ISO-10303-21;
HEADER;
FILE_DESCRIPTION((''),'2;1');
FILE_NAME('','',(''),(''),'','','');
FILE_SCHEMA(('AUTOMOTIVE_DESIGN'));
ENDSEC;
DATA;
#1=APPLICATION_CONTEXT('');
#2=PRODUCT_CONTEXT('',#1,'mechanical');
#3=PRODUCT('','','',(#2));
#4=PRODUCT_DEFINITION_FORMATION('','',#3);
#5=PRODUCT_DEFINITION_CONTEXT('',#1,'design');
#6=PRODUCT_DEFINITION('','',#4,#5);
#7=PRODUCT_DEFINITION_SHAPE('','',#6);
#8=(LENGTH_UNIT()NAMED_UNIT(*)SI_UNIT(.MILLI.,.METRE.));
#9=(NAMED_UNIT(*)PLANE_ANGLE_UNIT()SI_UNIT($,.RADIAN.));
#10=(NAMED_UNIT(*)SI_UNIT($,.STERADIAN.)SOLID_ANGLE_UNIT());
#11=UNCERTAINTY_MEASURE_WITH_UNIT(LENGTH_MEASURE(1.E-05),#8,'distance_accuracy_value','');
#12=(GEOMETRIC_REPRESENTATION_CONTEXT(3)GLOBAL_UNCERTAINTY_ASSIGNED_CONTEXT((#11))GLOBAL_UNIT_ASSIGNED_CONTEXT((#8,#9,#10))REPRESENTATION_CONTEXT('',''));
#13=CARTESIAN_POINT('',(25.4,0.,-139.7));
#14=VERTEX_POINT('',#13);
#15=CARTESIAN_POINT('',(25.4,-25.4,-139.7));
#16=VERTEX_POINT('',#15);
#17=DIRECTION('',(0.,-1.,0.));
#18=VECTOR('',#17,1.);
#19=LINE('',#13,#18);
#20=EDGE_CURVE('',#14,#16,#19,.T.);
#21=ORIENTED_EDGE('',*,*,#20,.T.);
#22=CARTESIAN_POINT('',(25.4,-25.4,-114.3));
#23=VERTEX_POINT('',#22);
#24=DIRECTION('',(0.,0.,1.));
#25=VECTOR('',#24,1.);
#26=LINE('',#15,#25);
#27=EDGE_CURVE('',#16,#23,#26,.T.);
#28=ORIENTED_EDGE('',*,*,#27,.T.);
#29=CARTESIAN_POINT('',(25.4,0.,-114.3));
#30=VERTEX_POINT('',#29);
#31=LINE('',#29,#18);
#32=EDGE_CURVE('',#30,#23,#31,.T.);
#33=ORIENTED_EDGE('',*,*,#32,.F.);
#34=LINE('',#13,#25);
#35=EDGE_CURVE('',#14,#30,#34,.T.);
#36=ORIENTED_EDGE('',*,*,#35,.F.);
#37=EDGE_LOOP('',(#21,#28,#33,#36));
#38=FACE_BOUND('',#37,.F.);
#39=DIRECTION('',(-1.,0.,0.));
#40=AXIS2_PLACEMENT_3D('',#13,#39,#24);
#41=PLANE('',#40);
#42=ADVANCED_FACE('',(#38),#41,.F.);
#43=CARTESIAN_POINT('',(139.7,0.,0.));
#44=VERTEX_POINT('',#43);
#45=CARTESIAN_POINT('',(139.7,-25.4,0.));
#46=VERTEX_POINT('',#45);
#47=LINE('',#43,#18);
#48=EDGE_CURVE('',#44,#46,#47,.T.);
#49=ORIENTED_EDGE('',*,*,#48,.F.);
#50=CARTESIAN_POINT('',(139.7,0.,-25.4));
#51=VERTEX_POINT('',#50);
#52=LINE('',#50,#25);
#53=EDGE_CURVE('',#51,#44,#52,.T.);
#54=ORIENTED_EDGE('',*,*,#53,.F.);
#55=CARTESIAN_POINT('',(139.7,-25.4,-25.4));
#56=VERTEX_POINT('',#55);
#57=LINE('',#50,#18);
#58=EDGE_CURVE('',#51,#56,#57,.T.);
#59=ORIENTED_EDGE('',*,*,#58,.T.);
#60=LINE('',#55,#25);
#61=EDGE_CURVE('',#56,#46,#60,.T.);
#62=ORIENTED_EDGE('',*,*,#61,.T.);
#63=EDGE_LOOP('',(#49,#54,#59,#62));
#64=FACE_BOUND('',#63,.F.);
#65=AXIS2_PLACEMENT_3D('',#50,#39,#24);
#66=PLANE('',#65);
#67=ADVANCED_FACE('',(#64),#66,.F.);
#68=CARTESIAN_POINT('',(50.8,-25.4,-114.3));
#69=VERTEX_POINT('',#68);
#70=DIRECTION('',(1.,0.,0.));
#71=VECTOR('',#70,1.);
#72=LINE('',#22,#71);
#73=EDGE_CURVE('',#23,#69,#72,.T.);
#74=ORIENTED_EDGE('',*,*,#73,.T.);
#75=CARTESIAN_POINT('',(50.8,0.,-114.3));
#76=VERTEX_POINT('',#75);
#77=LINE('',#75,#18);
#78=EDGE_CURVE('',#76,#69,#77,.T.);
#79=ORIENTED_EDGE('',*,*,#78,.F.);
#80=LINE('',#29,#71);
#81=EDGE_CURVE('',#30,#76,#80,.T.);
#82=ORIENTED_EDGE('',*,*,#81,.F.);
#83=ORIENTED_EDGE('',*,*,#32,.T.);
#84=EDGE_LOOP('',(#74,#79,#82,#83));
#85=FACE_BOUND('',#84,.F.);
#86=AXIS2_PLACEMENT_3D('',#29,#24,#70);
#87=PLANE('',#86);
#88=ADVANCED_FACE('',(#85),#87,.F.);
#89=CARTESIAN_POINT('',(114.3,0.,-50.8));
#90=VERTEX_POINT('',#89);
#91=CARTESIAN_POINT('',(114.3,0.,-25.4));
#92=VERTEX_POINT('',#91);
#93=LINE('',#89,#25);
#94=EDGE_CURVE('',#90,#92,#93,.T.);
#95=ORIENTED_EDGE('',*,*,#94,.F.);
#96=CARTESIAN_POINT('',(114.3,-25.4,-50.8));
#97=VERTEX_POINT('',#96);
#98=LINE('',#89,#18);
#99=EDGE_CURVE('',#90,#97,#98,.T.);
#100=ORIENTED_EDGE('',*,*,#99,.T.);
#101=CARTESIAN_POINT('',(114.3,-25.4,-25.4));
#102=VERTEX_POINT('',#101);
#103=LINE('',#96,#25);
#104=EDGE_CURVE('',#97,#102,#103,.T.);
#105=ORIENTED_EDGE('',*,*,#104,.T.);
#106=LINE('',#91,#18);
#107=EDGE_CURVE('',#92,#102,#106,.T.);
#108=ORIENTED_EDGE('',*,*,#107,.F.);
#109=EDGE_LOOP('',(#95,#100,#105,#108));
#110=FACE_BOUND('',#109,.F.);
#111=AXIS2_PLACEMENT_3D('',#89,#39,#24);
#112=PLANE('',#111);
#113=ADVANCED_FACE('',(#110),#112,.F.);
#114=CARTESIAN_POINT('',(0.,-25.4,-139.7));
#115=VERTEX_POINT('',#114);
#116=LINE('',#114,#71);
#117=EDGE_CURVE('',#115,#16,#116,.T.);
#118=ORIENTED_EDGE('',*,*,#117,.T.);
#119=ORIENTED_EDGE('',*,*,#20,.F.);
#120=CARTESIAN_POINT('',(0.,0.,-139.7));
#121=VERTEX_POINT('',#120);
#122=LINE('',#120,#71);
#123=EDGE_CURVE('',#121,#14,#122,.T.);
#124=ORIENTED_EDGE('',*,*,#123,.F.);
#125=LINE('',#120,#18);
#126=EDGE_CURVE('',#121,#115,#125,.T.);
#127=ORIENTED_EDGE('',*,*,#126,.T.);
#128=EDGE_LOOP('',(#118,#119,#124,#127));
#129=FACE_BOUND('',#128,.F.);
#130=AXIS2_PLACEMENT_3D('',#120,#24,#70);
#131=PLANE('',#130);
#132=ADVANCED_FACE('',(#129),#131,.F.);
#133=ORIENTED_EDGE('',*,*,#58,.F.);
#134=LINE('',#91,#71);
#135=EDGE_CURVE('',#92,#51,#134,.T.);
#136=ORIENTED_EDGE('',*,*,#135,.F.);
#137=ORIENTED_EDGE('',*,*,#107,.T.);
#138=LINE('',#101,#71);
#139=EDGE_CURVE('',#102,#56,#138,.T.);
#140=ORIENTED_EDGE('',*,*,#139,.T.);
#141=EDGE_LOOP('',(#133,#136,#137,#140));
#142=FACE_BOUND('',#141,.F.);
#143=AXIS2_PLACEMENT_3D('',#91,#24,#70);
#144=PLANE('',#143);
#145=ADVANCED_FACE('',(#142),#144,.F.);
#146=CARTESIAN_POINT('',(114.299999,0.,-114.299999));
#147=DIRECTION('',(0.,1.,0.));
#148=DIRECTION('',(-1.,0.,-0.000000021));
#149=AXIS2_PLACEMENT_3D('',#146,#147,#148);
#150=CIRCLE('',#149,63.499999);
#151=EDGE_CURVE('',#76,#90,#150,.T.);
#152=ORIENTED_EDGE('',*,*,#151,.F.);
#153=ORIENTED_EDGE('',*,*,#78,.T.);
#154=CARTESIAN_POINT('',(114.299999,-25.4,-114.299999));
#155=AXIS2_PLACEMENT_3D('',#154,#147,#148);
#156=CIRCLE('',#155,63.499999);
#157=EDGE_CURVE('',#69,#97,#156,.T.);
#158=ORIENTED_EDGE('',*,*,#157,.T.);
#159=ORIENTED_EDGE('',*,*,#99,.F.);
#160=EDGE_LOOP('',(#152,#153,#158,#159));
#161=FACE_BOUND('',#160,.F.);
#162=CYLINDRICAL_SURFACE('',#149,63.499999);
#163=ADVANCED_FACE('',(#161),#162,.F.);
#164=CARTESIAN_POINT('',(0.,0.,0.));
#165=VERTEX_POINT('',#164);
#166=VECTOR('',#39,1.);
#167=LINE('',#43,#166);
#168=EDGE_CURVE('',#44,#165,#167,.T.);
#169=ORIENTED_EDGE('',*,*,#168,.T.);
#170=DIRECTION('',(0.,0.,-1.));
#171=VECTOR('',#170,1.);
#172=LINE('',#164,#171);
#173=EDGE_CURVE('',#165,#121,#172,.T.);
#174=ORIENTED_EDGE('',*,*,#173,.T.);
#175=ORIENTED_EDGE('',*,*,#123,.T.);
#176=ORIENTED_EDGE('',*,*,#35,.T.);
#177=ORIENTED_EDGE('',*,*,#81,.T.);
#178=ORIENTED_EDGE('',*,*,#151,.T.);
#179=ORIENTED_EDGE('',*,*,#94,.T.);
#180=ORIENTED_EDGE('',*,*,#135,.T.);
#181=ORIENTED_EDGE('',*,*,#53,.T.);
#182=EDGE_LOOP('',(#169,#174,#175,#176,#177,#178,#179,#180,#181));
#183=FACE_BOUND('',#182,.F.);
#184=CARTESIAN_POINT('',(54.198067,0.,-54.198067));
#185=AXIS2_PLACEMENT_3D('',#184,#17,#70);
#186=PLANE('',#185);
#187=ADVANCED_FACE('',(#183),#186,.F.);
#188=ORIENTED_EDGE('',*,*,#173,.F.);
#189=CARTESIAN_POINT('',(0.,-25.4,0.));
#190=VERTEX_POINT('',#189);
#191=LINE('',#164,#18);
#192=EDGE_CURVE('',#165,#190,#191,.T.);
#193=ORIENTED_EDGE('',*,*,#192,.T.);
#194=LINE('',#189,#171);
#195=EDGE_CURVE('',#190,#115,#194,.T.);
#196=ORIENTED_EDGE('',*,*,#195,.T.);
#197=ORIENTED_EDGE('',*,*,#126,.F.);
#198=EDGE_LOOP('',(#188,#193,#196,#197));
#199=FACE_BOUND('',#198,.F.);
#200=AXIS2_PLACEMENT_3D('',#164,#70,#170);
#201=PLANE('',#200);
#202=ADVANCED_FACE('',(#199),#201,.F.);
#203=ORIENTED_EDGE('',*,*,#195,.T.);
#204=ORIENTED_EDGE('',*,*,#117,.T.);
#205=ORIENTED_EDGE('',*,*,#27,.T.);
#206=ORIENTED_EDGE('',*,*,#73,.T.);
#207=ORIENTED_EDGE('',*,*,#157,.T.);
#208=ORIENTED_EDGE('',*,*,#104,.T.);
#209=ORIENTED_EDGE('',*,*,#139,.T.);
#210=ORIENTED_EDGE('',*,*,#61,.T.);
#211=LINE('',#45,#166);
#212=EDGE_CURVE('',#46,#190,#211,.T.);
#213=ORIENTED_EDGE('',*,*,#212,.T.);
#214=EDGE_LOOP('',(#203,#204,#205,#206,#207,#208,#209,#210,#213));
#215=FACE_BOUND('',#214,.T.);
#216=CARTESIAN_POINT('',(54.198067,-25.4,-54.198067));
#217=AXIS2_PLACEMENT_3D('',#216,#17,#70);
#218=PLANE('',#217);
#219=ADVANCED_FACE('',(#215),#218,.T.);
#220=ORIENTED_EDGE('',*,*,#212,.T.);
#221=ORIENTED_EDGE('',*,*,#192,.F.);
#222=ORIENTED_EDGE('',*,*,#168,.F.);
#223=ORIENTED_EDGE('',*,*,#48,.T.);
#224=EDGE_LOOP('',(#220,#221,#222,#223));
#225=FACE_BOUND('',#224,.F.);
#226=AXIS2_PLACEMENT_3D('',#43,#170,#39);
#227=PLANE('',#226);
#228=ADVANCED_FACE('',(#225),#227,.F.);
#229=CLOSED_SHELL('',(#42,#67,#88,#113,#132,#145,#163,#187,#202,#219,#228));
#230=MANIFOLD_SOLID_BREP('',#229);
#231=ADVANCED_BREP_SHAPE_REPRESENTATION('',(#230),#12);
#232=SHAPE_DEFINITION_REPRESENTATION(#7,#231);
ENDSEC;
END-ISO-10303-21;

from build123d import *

# Parameters (mm, degrees)
F1_DEPTH = 25.4


with BuildPart() as f1:
    # F0 (on Front) → F1 (new body)
    with BuildSketch(Plane.XZ):
        with BuildLine():
            Line((139.7, 0), (0, 0))
            Line((0, 0), (0, -139.7))
            Line((0, -139.7), (25.4, -139.7))
            Line((25.4, -139.7), (25.4, -114.3))
            Line((25.4, -114.3), (50.8, -114.3))
            ThreePointArc((50.8, -114.3), (69.398719, -69.398719), (114.3, -50.8))
            Line((114.3, -50.8), (114.3, -25.4))
            Line((114.3, -25.4), (139.7, -25.4))
            Line((139.7, -25.4), (139.7, 0))
        make_face()
    extrude(amount=F1_DEPTH)


solid = f1.part
